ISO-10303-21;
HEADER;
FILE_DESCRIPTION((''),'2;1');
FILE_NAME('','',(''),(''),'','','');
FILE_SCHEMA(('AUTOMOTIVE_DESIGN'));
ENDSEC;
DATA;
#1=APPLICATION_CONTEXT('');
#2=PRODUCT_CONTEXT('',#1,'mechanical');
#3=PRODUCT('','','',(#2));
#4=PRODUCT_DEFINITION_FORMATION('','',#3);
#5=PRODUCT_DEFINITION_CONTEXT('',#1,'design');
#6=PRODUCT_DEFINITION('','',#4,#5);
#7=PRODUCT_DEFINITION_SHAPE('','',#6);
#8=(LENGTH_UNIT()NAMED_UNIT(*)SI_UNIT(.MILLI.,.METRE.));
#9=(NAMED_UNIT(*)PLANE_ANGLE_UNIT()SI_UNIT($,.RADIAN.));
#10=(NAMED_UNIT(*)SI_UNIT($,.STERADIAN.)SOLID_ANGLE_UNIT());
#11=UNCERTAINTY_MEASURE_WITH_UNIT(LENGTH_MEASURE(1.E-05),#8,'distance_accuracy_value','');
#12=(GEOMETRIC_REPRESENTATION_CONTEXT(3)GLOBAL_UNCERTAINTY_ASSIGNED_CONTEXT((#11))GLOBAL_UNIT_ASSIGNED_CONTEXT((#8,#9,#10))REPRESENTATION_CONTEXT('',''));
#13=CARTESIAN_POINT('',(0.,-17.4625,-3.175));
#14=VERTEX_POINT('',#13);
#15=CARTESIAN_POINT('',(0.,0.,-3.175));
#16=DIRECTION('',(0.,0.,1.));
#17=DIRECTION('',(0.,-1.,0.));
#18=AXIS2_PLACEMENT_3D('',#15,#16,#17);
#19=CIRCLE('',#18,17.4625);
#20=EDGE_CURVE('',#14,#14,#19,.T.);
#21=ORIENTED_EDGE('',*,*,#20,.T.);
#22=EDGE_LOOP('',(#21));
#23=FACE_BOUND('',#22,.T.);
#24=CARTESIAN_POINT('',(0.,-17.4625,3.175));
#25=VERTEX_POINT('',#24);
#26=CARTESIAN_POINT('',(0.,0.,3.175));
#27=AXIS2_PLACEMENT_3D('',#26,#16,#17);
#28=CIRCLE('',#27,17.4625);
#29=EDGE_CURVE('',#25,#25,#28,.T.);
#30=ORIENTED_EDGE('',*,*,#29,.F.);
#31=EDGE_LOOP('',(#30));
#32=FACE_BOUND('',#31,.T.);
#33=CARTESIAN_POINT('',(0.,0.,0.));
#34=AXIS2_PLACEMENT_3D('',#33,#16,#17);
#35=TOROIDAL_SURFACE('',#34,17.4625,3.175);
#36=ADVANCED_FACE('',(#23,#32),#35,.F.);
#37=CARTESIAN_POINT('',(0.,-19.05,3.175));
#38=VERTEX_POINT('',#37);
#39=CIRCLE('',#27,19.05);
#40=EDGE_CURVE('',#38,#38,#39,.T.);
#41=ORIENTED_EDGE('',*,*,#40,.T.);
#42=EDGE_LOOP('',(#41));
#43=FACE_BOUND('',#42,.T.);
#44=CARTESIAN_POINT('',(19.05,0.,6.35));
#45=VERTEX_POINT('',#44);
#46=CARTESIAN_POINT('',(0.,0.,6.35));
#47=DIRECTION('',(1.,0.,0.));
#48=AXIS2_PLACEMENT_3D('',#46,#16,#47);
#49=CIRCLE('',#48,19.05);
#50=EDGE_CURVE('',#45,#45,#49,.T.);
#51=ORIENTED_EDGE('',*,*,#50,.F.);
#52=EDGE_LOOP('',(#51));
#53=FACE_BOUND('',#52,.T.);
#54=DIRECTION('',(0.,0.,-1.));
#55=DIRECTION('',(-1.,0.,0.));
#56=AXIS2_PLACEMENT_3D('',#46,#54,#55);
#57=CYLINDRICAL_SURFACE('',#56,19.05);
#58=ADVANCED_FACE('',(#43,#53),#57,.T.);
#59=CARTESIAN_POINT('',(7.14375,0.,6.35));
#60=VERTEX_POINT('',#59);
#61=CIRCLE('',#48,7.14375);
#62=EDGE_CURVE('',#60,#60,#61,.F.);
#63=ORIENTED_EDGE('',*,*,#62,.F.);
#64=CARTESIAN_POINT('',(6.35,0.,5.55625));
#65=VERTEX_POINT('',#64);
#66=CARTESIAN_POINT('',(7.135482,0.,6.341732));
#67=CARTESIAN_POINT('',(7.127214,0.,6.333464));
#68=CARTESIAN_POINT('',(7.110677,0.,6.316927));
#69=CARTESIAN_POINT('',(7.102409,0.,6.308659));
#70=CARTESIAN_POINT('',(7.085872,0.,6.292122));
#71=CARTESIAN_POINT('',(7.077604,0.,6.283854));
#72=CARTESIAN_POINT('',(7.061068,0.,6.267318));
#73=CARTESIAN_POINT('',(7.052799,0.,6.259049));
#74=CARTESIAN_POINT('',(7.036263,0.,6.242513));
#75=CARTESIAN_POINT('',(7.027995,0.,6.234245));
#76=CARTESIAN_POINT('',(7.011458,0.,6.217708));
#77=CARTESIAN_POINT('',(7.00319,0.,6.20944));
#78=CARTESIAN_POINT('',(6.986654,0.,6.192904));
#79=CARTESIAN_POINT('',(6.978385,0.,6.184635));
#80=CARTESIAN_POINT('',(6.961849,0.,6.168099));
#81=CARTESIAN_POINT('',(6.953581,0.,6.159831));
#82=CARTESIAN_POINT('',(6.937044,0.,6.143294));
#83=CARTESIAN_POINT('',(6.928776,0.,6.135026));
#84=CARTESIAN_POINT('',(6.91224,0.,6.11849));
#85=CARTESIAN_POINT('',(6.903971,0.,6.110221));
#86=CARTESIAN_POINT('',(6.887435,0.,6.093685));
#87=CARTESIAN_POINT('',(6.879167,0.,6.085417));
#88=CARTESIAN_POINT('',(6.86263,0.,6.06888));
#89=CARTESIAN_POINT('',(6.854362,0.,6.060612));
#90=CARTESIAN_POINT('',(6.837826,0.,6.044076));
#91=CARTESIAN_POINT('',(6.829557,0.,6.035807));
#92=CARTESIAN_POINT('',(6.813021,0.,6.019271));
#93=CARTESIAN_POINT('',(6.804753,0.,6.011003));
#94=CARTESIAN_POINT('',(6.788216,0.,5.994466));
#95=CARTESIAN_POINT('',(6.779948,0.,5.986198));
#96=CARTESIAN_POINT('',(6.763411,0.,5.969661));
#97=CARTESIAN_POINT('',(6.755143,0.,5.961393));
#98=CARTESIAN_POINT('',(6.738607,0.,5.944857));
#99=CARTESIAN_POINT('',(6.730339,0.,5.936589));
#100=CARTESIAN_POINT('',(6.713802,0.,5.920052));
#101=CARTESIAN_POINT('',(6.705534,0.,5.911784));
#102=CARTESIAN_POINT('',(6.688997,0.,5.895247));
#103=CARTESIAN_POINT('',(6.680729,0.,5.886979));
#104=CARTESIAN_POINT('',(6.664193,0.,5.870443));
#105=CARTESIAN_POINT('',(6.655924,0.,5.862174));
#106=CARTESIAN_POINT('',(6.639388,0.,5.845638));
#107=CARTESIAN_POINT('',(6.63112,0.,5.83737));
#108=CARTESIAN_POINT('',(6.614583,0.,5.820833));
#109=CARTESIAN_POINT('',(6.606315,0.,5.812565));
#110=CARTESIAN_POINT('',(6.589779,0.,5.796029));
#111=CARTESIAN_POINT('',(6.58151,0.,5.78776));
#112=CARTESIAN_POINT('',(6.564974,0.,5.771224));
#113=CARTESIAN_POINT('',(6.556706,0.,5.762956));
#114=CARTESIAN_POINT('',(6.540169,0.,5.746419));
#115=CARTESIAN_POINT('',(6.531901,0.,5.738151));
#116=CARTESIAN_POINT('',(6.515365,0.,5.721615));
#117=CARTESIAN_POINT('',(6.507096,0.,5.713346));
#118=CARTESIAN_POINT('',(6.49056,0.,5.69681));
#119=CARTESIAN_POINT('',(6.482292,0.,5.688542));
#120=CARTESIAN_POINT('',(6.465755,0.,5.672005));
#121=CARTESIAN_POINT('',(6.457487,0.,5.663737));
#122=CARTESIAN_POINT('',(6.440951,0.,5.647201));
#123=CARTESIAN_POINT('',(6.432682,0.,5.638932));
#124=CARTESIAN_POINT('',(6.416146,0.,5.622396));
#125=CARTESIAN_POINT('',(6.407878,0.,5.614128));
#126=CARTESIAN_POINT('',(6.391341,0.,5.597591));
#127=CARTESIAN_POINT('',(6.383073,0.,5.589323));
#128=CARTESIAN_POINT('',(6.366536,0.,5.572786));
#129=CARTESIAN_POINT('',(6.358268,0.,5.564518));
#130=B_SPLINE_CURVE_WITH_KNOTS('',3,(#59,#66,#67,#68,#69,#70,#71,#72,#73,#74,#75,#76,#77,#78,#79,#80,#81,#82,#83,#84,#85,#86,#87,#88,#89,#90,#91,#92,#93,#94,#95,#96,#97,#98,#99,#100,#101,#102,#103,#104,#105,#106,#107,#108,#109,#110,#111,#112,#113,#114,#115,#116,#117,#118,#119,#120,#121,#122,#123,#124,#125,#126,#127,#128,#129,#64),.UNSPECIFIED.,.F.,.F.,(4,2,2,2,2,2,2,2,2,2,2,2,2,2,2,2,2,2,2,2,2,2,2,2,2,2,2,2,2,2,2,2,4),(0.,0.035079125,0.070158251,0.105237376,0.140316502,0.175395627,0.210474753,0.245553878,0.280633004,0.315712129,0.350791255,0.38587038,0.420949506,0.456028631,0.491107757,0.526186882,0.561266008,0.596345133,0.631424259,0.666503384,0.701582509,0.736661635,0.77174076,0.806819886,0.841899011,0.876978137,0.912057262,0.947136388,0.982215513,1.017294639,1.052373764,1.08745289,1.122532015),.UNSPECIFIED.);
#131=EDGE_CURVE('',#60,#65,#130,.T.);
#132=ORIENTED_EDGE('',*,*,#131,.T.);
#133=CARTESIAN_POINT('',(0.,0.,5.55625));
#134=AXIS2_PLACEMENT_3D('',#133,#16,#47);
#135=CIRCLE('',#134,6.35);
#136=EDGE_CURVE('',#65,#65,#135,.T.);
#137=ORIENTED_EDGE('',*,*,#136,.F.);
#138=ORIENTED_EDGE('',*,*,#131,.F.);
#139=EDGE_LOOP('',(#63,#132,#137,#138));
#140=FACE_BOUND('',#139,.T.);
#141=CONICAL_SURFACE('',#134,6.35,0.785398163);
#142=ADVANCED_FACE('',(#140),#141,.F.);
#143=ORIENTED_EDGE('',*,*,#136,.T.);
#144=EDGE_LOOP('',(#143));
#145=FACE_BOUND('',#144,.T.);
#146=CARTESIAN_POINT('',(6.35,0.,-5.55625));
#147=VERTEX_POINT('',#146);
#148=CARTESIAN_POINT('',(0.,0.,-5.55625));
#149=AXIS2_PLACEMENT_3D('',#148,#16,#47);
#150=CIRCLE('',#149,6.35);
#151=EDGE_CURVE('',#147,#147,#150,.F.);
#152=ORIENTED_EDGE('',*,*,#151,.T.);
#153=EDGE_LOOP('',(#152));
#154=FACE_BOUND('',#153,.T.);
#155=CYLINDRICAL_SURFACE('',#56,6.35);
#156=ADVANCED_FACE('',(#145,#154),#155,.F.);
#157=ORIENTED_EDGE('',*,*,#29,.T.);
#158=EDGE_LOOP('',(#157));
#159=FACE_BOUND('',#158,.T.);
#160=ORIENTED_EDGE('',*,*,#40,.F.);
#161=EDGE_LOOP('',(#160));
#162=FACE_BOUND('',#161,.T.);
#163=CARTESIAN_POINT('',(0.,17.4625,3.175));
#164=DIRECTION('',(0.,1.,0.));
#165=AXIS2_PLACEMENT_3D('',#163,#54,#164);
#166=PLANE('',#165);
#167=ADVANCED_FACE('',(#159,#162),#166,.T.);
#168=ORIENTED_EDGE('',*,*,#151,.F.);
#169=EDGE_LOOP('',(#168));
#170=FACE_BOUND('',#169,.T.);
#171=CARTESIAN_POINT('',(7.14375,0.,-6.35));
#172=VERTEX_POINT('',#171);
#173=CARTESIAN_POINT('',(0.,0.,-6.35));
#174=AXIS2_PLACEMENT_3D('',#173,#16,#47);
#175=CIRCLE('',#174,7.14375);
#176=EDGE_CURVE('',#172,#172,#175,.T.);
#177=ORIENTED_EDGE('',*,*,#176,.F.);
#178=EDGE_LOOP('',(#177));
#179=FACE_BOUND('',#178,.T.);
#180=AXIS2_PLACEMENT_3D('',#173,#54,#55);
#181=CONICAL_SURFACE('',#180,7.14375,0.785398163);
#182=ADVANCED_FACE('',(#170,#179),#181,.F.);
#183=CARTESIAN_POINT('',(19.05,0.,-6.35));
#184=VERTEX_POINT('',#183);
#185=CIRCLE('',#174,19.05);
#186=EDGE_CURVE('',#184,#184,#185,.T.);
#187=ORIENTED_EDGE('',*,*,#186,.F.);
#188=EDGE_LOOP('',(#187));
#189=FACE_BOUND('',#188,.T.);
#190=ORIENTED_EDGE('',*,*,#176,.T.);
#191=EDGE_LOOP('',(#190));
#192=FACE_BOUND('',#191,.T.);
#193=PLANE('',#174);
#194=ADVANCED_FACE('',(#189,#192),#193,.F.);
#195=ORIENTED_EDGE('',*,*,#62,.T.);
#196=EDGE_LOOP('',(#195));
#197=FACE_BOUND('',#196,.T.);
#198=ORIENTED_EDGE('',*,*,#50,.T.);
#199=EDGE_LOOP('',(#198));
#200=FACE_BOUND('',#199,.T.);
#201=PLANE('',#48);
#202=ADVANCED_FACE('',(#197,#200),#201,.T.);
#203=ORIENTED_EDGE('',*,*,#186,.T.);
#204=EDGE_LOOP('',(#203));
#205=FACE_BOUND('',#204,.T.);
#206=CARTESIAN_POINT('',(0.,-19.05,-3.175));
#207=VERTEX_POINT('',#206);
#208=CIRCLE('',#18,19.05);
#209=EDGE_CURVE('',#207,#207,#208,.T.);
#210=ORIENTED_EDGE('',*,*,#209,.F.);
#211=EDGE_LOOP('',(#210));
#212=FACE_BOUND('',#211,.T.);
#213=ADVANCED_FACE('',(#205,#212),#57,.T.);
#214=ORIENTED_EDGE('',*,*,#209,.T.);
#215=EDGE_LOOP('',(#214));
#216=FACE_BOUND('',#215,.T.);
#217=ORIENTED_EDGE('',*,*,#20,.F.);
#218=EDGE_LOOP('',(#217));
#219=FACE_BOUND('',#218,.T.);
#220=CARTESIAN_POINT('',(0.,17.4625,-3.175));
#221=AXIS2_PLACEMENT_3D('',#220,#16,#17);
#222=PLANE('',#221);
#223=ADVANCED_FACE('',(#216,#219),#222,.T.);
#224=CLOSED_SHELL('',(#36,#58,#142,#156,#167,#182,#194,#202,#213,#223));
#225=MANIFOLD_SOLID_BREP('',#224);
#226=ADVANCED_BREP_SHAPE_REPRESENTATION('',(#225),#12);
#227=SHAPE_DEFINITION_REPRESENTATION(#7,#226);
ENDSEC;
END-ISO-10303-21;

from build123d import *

# Parameters (mm, degrees)
SKETCH1_R      = 19.05
SKETCH1_R_2    = 6.35
EXTRUDE1_DEPTH = 6.35
CHAMFER1_SIZE  = 0.79375


with BuildPart() as part:
    # Sketch1 → Extrude1 (new, symmetric)
    with BuildSketch(Plane.XY):
        Circle(SKETCH1_R)
        Circle(SKETCH1_R_2, mode=Mode.SUBTRACT)
    extrude(amount=EXTRUDE1_DEPTH, both=True)

    # Chamfer1
    chamfer1_edges = [part.edges().sort_by_distance(p)[0] for p in [
        (-6.35, 0, -6.35),
        (-6.35, 0, 6.35),
    ]]
    chamfer(chamfer1_edges, length=CHAMFER1_SIZE)

    # Sketch2 → Cut-Revolve1 (revolve, cut)
    with BuildSketch(Plane(origin=(0, 0, 0), x_dir=(0, 0, -1), z_dir=(1, 0, 0)), mode=Mode.PRIVATE) as cut_revolve1_sk:
        with BuildLine():
            Line((-3.175, 17.4625), (-3.175, 19.05))
            Line((-3.175, 19.05), (3.175, 19.05))
            Line((3.175, 19.05), (3.175, 17.4625))
            ThreePointArc((3.175, 17.4625), (0, 14.2875), (-3.175, 17.4625))
        make_face()
    revolve(cut_revolve1_sk.sketch.rotate(Axis((0, 0, 6.35), (0, 0, -1)), 180), axis=Axis((0, 0, 6.35), (0, 0, -1)), mode=Mode.SUBTRACT)


solid = part.part
